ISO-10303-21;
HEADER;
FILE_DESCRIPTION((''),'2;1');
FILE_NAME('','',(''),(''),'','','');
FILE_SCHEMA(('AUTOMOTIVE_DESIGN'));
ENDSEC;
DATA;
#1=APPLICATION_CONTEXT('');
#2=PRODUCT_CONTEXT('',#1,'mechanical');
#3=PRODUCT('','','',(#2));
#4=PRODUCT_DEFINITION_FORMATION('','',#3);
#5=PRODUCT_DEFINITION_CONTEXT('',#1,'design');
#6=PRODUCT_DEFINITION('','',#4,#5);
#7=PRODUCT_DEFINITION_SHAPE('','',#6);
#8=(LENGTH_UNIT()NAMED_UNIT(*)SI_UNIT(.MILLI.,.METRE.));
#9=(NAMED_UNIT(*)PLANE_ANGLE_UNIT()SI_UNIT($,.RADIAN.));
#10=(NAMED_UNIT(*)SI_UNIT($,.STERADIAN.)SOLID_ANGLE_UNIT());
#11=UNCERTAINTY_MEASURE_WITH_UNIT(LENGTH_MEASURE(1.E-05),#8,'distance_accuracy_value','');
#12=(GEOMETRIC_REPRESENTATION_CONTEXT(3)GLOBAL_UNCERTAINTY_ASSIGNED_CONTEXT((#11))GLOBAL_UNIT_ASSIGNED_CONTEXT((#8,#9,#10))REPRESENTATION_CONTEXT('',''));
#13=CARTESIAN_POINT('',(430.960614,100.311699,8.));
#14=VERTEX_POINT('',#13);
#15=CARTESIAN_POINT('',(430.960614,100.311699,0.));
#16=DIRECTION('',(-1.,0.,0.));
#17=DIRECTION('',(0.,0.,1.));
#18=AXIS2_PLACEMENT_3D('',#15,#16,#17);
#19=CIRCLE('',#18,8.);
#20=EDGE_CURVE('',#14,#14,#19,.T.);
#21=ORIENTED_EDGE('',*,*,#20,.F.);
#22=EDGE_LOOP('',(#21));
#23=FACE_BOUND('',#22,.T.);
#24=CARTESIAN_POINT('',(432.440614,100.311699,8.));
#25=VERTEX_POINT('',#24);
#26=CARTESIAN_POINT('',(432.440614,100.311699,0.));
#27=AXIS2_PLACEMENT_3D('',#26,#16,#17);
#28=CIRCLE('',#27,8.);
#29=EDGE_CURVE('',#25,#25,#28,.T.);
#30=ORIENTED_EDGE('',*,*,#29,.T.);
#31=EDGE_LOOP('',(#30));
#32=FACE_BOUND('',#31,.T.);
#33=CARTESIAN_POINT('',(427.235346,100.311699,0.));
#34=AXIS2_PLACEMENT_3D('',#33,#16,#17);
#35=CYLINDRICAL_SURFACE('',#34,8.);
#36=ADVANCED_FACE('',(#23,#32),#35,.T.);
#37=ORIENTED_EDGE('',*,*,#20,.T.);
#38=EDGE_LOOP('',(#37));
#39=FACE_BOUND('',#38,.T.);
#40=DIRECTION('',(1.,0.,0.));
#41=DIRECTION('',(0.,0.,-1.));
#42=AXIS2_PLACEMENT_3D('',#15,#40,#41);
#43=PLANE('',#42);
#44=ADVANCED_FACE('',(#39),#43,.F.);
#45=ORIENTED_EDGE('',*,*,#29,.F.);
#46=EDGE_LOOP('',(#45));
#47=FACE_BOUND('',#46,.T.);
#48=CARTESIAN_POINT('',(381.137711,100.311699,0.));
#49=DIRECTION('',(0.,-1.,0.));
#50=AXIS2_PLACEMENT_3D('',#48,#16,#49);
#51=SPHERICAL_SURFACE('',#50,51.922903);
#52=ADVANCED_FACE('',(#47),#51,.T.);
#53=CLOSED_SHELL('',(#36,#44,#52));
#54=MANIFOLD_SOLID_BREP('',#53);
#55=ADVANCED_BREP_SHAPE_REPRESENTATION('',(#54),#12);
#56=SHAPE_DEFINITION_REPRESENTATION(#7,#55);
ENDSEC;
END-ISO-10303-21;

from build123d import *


with BuildPart() as part:
    # 草图1 → 旋转1 (revolve)
    with BuildSketch(Plane.XY, mode=Mode.PRIVATE) as revolve_1_sk:
        with BuildLine():
            Line((430.960614405, 100.311698588), (430.960614405, 108.311698588))
            Line((430.960614405, 108.311698588), (432.440614405, 108.311698588))
            ThreePointArc((432.440614405, 108.311698588), (432.905382359, 104.323693105), (433.060614405, 100.311698588))
            Line((433.060614405, 100.311698588), (430.960614405, 100.311698588))
        make_face()
    revolve(revolve_1_sk.sketch.rotate(Axis((427.235345785, 100.311698588, 0), (1, 0, 0)), 180), axis=Axis((427.235345785, 100.311698588, 0), (1, 0, 0)))  # turned: the seam where the file's is


solid = part.part
